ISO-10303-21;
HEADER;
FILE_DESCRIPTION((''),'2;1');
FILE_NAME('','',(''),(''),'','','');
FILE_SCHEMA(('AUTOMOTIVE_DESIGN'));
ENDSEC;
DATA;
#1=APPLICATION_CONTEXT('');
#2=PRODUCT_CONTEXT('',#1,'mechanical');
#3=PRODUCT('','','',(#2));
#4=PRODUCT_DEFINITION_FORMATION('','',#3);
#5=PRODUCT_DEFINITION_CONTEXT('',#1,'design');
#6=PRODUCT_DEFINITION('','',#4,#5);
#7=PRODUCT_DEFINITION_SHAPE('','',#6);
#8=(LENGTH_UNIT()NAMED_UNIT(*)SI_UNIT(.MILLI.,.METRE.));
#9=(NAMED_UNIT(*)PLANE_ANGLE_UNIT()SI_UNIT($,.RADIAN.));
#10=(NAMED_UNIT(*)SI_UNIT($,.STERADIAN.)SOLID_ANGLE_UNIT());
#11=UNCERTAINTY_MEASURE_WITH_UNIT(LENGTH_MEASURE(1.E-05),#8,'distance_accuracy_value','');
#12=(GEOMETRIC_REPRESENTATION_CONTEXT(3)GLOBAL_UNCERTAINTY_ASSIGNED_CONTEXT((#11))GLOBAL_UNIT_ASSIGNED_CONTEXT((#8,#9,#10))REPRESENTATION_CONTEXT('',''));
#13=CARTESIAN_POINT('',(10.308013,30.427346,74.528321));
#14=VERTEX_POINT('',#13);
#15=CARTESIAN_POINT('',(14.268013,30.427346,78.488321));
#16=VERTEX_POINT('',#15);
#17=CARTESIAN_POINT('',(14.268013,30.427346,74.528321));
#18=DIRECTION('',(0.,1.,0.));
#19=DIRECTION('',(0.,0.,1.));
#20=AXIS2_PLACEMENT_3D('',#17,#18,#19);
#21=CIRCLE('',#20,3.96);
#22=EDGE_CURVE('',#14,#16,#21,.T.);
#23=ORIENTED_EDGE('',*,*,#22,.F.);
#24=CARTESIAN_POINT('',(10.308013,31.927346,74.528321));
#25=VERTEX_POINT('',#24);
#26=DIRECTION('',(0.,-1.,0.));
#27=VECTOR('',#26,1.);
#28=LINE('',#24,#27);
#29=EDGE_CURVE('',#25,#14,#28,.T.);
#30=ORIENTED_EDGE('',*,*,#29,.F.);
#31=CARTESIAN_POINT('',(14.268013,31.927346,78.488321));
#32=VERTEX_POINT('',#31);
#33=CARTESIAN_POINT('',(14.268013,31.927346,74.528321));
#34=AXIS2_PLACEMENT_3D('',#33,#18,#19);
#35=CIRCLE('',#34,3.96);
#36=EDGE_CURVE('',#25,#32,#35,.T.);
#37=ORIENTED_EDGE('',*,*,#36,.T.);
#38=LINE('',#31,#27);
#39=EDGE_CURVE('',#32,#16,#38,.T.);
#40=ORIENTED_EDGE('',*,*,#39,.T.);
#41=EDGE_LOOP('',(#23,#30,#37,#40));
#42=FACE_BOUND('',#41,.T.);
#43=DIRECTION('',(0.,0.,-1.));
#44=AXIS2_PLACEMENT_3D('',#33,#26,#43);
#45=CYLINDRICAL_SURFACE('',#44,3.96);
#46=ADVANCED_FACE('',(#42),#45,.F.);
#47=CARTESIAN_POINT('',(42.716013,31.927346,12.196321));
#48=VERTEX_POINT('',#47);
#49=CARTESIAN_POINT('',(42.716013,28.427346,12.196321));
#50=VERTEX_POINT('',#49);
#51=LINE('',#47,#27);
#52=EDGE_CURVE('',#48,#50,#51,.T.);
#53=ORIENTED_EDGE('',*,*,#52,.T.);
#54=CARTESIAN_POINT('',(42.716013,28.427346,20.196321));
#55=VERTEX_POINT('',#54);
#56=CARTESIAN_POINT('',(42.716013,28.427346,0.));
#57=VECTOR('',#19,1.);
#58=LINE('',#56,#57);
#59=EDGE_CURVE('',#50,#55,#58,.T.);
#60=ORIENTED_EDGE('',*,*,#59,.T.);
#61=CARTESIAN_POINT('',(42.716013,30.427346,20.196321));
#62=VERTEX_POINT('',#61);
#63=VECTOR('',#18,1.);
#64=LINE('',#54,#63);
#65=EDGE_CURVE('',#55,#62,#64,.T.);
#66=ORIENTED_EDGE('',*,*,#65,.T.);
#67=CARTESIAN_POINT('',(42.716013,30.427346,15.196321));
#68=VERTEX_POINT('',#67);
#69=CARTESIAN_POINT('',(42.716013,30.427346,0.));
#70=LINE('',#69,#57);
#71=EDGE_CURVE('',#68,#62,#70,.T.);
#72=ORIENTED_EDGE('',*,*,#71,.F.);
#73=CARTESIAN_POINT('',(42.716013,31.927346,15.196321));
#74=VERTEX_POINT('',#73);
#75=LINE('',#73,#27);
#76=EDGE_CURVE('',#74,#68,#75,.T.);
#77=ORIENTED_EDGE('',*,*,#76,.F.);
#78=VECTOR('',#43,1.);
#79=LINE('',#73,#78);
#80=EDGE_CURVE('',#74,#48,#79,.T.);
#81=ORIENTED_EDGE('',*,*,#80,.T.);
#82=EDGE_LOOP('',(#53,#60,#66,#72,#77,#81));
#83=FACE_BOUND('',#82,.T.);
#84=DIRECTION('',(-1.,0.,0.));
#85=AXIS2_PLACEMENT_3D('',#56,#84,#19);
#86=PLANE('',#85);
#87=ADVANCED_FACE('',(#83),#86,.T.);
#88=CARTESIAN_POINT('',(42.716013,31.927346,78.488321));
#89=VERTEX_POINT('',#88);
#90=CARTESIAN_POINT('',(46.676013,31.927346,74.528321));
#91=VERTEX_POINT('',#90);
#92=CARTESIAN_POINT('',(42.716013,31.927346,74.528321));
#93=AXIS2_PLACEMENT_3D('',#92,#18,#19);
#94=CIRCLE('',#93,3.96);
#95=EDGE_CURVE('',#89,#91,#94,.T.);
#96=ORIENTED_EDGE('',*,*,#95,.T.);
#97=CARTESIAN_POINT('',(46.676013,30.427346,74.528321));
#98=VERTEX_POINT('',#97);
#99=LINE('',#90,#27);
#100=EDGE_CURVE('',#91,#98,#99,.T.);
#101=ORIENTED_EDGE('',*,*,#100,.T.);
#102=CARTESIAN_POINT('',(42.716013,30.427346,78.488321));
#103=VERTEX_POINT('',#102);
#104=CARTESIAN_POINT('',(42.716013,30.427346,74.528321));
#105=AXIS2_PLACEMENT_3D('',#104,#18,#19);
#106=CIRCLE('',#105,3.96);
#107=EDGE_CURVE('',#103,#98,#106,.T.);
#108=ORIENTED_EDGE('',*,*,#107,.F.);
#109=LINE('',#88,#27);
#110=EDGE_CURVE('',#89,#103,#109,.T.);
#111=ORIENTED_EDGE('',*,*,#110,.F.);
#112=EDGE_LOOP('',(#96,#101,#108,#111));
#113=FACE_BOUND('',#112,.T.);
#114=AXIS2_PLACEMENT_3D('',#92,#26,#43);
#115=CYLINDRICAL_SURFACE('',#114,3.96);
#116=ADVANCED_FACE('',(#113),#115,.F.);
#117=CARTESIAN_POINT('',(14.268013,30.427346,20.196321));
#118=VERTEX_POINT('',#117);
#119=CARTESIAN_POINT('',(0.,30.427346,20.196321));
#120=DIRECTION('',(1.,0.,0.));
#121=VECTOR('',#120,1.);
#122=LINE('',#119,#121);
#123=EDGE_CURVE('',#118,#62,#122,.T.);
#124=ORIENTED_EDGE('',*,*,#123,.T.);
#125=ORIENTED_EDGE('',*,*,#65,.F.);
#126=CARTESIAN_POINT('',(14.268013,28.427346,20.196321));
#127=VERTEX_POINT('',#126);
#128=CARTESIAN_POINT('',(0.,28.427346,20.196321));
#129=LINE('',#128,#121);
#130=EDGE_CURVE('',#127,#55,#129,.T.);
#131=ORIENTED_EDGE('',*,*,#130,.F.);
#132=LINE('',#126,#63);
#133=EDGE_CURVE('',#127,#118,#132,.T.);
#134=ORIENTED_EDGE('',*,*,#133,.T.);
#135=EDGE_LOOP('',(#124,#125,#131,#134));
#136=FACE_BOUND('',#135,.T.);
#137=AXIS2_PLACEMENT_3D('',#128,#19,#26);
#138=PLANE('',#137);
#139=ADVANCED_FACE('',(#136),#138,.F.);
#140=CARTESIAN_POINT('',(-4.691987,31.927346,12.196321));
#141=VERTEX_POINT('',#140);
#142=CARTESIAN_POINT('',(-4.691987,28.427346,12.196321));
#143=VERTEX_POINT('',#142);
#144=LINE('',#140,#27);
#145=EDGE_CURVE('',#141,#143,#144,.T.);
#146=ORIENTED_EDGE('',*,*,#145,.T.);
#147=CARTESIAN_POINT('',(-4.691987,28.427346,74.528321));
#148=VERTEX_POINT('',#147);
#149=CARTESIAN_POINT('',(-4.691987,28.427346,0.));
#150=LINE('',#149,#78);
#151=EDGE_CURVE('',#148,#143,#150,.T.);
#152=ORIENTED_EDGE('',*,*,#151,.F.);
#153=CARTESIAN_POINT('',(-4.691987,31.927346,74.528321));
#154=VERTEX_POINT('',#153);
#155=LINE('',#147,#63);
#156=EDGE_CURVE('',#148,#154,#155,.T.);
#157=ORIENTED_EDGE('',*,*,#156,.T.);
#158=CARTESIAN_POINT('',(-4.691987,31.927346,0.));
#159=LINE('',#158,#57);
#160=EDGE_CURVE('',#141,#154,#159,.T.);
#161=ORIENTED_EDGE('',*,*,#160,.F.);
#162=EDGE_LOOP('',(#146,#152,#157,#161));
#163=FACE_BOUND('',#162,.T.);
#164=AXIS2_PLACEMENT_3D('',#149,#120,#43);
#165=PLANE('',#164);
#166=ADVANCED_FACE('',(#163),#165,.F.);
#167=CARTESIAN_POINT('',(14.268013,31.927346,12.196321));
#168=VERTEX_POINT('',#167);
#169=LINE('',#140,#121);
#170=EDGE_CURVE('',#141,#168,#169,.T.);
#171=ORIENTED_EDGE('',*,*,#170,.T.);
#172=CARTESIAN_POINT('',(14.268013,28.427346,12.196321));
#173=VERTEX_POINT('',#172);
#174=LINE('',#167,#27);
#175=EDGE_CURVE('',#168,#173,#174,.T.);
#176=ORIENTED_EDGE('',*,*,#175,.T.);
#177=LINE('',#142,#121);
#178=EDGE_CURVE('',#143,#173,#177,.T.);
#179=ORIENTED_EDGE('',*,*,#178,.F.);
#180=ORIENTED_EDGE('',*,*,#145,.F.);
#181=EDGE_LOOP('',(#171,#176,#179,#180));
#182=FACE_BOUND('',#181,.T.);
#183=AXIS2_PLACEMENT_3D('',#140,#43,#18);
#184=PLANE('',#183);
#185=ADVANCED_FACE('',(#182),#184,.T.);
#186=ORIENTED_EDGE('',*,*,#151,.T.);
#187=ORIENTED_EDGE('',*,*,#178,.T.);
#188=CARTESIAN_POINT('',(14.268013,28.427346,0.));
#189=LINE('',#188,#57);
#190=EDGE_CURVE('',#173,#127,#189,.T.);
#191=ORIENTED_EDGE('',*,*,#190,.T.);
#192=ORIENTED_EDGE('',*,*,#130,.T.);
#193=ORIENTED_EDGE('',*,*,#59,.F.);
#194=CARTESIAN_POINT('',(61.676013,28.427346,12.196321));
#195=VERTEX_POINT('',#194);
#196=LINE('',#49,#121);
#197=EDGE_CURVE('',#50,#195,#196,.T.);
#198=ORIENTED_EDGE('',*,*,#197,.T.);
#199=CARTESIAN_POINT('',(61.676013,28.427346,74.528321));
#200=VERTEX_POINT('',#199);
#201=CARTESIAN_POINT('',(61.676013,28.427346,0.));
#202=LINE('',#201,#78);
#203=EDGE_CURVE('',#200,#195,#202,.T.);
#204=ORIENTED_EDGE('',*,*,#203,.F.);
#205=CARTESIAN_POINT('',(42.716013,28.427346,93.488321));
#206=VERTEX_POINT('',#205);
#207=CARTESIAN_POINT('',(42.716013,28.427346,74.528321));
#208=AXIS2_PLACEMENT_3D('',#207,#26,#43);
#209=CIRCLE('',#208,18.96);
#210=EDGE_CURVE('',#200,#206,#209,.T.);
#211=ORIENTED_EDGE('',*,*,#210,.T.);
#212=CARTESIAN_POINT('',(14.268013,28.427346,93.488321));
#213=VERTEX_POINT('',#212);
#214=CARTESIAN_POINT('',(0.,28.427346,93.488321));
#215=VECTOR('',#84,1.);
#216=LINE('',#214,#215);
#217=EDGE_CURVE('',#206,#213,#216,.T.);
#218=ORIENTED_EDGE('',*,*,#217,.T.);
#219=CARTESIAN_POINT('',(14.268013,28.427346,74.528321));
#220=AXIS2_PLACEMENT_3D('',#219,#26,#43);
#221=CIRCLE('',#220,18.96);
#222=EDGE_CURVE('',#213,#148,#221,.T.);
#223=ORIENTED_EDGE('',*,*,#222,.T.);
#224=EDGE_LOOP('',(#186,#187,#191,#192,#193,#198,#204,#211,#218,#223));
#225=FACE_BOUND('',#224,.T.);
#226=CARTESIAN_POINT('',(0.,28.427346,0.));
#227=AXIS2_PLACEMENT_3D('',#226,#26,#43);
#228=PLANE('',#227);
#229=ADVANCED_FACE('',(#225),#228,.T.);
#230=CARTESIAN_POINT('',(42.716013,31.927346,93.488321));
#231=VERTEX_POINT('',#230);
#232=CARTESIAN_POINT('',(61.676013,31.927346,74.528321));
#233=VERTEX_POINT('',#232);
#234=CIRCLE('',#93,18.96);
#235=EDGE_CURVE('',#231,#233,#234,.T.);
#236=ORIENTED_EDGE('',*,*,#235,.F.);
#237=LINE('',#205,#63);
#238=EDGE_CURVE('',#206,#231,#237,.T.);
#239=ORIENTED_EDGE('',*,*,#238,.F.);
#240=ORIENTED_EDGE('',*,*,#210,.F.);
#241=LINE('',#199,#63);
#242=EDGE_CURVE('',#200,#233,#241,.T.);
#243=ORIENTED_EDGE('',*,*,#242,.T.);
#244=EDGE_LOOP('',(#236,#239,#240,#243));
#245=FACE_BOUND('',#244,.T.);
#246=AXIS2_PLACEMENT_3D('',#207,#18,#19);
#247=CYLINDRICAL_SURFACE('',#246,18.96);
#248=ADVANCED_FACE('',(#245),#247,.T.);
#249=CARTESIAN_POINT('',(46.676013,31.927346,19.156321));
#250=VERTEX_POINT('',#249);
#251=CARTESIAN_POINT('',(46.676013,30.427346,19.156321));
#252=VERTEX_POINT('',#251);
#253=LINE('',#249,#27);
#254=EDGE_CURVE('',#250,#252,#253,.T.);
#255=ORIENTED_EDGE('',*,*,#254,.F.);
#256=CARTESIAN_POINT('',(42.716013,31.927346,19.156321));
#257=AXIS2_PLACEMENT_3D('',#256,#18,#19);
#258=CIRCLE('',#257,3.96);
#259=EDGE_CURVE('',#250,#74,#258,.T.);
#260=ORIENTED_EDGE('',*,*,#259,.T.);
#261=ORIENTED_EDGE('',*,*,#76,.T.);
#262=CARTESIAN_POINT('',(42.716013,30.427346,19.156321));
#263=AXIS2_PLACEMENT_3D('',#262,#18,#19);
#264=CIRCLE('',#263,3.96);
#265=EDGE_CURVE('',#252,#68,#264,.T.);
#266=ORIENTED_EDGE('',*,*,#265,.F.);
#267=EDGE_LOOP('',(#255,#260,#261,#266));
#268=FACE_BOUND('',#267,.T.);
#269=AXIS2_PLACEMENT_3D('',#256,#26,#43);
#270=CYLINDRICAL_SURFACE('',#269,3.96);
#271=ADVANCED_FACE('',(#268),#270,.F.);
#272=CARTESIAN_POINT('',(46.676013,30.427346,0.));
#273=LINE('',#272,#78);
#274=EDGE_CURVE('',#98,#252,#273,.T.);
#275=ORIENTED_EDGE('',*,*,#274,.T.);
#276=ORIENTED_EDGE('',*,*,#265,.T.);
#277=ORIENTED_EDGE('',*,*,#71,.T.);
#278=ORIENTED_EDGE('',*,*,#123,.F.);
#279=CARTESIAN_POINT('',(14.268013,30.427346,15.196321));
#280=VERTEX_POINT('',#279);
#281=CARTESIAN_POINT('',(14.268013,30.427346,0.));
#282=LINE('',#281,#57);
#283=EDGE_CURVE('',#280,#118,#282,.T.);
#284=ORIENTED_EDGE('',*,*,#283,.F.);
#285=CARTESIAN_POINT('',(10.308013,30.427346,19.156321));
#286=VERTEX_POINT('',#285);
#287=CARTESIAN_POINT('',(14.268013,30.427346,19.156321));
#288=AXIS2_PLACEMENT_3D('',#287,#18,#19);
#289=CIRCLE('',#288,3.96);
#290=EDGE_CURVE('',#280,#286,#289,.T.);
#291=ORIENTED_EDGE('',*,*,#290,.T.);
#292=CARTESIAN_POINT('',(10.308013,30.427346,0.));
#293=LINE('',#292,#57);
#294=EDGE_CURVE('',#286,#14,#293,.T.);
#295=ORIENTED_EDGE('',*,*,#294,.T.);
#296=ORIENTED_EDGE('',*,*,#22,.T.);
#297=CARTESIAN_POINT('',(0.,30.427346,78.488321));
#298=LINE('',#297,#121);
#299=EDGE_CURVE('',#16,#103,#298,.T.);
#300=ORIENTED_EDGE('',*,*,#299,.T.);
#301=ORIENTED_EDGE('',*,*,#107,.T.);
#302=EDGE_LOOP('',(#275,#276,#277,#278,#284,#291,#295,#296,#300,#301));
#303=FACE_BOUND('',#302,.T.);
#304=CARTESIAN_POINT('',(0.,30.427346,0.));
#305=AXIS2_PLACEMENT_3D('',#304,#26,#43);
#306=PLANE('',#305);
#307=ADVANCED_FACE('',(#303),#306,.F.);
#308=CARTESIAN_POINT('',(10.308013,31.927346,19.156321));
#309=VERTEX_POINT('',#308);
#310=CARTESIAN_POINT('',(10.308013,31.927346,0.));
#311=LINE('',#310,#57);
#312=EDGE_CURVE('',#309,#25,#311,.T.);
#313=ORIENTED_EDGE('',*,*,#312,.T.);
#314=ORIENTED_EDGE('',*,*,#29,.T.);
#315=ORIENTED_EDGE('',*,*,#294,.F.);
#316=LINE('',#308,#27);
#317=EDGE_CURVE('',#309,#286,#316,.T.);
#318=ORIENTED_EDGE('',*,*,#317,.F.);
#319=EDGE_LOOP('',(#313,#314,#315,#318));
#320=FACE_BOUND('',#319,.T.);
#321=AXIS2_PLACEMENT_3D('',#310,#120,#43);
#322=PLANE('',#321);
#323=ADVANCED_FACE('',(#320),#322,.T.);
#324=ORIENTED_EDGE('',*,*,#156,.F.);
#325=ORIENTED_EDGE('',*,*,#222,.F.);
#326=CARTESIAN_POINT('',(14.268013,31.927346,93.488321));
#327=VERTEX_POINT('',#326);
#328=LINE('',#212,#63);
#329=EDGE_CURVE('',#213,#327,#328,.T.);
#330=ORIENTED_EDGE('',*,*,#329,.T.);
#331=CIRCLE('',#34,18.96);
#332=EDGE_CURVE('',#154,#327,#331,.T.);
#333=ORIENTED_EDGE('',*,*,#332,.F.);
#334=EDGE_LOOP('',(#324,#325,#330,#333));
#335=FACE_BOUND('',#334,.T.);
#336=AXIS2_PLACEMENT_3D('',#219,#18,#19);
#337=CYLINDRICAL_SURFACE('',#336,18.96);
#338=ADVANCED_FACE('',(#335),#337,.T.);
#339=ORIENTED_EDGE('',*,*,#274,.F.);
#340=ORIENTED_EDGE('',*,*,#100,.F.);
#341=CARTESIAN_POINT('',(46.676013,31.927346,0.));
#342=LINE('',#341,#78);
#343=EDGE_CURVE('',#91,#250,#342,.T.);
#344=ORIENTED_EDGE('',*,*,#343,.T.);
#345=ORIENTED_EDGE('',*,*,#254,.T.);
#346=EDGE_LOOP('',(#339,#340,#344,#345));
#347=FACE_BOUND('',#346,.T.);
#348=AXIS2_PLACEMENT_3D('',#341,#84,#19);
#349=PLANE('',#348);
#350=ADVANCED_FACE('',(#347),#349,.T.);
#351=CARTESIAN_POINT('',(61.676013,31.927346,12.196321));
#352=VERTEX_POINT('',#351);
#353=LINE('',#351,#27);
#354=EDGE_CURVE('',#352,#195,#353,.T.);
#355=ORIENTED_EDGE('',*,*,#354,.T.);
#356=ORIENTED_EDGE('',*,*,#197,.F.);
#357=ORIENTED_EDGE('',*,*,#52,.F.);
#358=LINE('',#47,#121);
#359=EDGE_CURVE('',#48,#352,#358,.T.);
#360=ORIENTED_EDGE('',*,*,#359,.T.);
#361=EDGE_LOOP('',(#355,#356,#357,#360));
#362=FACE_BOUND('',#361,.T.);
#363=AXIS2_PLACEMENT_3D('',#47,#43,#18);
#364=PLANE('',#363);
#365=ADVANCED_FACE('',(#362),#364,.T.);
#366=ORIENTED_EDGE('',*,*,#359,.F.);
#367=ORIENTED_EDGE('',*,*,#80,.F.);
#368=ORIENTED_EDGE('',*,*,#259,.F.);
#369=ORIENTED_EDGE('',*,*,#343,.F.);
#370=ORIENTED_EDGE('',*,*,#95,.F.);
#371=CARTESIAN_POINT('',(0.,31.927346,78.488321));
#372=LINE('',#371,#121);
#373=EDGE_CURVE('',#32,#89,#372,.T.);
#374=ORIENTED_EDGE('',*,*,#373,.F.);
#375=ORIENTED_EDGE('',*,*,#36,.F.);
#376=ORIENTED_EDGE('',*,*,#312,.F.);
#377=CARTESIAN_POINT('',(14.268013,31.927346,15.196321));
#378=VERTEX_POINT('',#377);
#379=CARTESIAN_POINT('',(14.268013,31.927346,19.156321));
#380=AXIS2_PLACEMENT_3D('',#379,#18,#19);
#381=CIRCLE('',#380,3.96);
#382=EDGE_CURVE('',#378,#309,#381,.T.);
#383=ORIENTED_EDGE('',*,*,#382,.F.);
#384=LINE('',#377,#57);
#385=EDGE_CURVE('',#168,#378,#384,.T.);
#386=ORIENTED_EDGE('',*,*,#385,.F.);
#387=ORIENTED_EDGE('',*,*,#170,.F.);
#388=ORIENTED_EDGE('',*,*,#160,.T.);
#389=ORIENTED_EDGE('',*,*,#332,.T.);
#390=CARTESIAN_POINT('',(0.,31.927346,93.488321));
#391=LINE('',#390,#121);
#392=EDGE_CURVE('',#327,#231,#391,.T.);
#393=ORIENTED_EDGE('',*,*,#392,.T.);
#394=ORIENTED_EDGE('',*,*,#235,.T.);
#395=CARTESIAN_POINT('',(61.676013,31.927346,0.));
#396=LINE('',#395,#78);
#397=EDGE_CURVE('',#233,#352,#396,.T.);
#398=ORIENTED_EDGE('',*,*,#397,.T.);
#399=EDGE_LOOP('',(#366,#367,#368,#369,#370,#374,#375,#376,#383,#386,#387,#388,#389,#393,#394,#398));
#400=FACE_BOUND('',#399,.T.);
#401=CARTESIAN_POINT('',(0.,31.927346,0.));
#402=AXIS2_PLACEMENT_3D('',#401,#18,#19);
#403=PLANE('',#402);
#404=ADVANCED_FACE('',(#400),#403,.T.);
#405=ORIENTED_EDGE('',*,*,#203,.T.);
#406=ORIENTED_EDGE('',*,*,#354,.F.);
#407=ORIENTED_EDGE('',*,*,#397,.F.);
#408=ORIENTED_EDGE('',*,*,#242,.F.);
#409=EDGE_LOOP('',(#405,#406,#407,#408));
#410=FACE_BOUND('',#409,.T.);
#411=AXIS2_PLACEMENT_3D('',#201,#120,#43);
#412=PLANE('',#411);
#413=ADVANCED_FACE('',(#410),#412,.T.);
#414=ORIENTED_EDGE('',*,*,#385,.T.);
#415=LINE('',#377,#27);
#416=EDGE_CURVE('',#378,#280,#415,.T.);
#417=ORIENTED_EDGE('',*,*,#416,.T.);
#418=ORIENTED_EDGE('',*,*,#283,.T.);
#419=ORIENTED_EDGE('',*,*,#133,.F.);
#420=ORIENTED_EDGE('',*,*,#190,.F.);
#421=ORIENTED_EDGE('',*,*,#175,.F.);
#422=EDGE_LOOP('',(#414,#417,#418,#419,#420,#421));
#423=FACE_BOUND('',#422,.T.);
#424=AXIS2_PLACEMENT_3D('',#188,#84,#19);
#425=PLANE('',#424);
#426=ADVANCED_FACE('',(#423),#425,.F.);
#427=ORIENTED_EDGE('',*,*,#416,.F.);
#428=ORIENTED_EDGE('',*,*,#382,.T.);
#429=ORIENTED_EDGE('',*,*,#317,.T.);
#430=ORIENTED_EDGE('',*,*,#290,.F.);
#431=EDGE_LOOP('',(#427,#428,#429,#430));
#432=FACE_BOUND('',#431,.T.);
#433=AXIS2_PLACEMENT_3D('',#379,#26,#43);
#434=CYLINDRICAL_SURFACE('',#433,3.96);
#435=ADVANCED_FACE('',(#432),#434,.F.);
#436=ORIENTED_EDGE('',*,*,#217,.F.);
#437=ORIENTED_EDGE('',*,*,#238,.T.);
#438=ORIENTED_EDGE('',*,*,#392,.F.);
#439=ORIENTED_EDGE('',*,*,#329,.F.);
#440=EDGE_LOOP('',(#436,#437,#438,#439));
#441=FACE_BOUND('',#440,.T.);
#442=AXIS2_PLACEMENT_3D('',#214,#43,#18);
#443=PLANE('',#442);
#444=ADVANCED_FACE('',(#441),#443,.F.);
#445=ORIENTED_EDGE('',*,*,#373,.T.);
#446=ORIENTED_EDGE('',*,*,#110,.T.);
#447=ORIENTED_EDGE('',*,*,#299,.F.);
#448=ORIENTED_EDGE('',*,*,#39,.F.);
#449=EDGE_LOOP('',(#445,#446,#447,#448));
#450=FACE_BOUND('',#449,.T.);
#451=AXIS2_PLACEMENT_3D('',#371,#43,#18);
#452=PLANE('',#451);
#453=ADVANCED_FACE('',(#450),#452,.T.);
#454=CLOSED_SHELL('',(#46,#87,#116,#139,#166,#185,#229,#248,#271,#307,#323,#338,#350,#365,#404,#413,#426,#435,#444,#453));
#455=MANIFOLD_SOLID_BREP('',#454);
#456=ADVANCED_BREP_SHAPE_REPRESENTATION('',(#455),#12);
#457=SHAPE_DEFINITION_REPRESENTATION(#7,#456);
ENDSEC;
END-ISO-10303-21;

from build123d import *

# Parameters (mm, degrees)
BOSS_EXTRUDE1_DEPTH = 2
BOSS_EXTRUDE4_DEPTH = 1.5
SKETCH4_W           = 18.96
SKETCH4_H           = 3
BOSS_EXTRUDE5_DEPTH = 3.5


with BuildPart() as part:
    # Sketch1 → Boss-Extrude1 (new body)
    with BuildSketch(Plane.XZ.offset(-30.427346286)):
        with BuildLine():
            Line((61.676013052, 15.196320566), (61.676013052, 19.156320566))
            Line((61.676013052, 19.156320566), (61.676013052, 74.528320566))
            ThreePointArc((61.676013052, 74.528320566), (56.122757624, 87.935065137), (42.716013052, 93.488320566))
            Line((42.716013052, 93.488320566), (14.268013052, 93.488320566))
            ThreePointArc((14.268013052, 93.488320566), (0.861268481, 87.935065137), (-4.691986948, 74.528320566))
            Line((-4.691986948, 74.528320566), (-4.691986948, 19.156320566))
            Line((-4.691986948, 19.156320566), (-4.691986948, 15.196320566))
            Line((-4.691986948, 15.196320566), (-4.273831516, 15.196320566))
            Line((-4.273831516, 15.196320566), (14.268013052, 15.196320566))
            Line((14.268013052, 15.196320566), (14.268013052, 20.196320566))
            Line((14.268013052, 20.196320566), (42.716013052, 20.196320566))
            Line((42.716013052, 20.196320566), (42.716013052, 15.196320566))
            Line((42.716013052, 15.196320566), (61.257857621, 15.196320566))
            Line((61.257857621, 15.196320566), (61.676013052, 15.196320566))
        make_face()
    extrude(amount=BOSS_EXTRUDE1_DEPTH)

    # Sketch3 → Boss-Extrude4 (add)
    with BuildSketch(Plane(origin=(0, 30.427346286, 0), x_dir=(1, 0, 0), z_dir=(0, 1, 0))):
        with BuildLine():
            ThreePointArc((46.676013052, -19.156320566), (45.516155906, -16.356177712), (42.716013052, -15.196320566))
            Line((42.716013052, -15.196320566), (61.676013052, -15.196320566))
            Line((61.676013052, -15.196320566), (61.676013052, -74.528320566))
            ThreePointArc((61.676013052, -74.528320566), (56.122757624, -87.935065137), (42.716013052, -93.488320566))
            Line((42.716013052, -93.488320566), (14.268013052, -93.488320566))
            ThreePointArc((14.268013052, -93.488320566), (0.861268481, -87.935065137), (-4.691986948, -74.528320566))
            Line((-4.691986948, -74.528320566), (-4.691986948, -15.196320566))
            Line((-4.691986948, -15.196320566), (14.268013052, -15.196320566))
            ThreePointArc((14.268013052, -15.196320566), (11.467870199, -16.356177712), (10.308013052, -19.156320566))
            Line((10.308013052, -19.156320566), (10.308013052, -74.528320566))
            ThreePointArc((10.308013052, -74.528320566), (11.467870199, -77.328463419), (14.268013052, -78.488320566))
            Line((14.268013052, -78.488320566), (42.716013052, -78.488320566))
            ThreePointArc((42.716013052, -78.488320566), (45.516155906, -77.328463419), (46.676013052, -74.528320566))
            Line((46.676013052, -74.528320566), (46.676013052, -19.156320566))
        make_face()
    extrude(amount=BOSS_EXTRUDE4_DEPTH)

    # Sketch4 → Boss-Extrude5 (add)
    with BuildSketch(Plane.XZ.offset(-28.427346286)):
        with Locations((4.788013052, 13.696320566)):
            Rectangle(SKETCH4_W, SKETCH4_H)
        with Locations((52.196013052, 13.696320566)):
            Rectangle(SKETCH4_W, SKETCH4_H)
    extrude(amount=-BOSS_EXTRUDE5_DEPTH)


solid = part.part
